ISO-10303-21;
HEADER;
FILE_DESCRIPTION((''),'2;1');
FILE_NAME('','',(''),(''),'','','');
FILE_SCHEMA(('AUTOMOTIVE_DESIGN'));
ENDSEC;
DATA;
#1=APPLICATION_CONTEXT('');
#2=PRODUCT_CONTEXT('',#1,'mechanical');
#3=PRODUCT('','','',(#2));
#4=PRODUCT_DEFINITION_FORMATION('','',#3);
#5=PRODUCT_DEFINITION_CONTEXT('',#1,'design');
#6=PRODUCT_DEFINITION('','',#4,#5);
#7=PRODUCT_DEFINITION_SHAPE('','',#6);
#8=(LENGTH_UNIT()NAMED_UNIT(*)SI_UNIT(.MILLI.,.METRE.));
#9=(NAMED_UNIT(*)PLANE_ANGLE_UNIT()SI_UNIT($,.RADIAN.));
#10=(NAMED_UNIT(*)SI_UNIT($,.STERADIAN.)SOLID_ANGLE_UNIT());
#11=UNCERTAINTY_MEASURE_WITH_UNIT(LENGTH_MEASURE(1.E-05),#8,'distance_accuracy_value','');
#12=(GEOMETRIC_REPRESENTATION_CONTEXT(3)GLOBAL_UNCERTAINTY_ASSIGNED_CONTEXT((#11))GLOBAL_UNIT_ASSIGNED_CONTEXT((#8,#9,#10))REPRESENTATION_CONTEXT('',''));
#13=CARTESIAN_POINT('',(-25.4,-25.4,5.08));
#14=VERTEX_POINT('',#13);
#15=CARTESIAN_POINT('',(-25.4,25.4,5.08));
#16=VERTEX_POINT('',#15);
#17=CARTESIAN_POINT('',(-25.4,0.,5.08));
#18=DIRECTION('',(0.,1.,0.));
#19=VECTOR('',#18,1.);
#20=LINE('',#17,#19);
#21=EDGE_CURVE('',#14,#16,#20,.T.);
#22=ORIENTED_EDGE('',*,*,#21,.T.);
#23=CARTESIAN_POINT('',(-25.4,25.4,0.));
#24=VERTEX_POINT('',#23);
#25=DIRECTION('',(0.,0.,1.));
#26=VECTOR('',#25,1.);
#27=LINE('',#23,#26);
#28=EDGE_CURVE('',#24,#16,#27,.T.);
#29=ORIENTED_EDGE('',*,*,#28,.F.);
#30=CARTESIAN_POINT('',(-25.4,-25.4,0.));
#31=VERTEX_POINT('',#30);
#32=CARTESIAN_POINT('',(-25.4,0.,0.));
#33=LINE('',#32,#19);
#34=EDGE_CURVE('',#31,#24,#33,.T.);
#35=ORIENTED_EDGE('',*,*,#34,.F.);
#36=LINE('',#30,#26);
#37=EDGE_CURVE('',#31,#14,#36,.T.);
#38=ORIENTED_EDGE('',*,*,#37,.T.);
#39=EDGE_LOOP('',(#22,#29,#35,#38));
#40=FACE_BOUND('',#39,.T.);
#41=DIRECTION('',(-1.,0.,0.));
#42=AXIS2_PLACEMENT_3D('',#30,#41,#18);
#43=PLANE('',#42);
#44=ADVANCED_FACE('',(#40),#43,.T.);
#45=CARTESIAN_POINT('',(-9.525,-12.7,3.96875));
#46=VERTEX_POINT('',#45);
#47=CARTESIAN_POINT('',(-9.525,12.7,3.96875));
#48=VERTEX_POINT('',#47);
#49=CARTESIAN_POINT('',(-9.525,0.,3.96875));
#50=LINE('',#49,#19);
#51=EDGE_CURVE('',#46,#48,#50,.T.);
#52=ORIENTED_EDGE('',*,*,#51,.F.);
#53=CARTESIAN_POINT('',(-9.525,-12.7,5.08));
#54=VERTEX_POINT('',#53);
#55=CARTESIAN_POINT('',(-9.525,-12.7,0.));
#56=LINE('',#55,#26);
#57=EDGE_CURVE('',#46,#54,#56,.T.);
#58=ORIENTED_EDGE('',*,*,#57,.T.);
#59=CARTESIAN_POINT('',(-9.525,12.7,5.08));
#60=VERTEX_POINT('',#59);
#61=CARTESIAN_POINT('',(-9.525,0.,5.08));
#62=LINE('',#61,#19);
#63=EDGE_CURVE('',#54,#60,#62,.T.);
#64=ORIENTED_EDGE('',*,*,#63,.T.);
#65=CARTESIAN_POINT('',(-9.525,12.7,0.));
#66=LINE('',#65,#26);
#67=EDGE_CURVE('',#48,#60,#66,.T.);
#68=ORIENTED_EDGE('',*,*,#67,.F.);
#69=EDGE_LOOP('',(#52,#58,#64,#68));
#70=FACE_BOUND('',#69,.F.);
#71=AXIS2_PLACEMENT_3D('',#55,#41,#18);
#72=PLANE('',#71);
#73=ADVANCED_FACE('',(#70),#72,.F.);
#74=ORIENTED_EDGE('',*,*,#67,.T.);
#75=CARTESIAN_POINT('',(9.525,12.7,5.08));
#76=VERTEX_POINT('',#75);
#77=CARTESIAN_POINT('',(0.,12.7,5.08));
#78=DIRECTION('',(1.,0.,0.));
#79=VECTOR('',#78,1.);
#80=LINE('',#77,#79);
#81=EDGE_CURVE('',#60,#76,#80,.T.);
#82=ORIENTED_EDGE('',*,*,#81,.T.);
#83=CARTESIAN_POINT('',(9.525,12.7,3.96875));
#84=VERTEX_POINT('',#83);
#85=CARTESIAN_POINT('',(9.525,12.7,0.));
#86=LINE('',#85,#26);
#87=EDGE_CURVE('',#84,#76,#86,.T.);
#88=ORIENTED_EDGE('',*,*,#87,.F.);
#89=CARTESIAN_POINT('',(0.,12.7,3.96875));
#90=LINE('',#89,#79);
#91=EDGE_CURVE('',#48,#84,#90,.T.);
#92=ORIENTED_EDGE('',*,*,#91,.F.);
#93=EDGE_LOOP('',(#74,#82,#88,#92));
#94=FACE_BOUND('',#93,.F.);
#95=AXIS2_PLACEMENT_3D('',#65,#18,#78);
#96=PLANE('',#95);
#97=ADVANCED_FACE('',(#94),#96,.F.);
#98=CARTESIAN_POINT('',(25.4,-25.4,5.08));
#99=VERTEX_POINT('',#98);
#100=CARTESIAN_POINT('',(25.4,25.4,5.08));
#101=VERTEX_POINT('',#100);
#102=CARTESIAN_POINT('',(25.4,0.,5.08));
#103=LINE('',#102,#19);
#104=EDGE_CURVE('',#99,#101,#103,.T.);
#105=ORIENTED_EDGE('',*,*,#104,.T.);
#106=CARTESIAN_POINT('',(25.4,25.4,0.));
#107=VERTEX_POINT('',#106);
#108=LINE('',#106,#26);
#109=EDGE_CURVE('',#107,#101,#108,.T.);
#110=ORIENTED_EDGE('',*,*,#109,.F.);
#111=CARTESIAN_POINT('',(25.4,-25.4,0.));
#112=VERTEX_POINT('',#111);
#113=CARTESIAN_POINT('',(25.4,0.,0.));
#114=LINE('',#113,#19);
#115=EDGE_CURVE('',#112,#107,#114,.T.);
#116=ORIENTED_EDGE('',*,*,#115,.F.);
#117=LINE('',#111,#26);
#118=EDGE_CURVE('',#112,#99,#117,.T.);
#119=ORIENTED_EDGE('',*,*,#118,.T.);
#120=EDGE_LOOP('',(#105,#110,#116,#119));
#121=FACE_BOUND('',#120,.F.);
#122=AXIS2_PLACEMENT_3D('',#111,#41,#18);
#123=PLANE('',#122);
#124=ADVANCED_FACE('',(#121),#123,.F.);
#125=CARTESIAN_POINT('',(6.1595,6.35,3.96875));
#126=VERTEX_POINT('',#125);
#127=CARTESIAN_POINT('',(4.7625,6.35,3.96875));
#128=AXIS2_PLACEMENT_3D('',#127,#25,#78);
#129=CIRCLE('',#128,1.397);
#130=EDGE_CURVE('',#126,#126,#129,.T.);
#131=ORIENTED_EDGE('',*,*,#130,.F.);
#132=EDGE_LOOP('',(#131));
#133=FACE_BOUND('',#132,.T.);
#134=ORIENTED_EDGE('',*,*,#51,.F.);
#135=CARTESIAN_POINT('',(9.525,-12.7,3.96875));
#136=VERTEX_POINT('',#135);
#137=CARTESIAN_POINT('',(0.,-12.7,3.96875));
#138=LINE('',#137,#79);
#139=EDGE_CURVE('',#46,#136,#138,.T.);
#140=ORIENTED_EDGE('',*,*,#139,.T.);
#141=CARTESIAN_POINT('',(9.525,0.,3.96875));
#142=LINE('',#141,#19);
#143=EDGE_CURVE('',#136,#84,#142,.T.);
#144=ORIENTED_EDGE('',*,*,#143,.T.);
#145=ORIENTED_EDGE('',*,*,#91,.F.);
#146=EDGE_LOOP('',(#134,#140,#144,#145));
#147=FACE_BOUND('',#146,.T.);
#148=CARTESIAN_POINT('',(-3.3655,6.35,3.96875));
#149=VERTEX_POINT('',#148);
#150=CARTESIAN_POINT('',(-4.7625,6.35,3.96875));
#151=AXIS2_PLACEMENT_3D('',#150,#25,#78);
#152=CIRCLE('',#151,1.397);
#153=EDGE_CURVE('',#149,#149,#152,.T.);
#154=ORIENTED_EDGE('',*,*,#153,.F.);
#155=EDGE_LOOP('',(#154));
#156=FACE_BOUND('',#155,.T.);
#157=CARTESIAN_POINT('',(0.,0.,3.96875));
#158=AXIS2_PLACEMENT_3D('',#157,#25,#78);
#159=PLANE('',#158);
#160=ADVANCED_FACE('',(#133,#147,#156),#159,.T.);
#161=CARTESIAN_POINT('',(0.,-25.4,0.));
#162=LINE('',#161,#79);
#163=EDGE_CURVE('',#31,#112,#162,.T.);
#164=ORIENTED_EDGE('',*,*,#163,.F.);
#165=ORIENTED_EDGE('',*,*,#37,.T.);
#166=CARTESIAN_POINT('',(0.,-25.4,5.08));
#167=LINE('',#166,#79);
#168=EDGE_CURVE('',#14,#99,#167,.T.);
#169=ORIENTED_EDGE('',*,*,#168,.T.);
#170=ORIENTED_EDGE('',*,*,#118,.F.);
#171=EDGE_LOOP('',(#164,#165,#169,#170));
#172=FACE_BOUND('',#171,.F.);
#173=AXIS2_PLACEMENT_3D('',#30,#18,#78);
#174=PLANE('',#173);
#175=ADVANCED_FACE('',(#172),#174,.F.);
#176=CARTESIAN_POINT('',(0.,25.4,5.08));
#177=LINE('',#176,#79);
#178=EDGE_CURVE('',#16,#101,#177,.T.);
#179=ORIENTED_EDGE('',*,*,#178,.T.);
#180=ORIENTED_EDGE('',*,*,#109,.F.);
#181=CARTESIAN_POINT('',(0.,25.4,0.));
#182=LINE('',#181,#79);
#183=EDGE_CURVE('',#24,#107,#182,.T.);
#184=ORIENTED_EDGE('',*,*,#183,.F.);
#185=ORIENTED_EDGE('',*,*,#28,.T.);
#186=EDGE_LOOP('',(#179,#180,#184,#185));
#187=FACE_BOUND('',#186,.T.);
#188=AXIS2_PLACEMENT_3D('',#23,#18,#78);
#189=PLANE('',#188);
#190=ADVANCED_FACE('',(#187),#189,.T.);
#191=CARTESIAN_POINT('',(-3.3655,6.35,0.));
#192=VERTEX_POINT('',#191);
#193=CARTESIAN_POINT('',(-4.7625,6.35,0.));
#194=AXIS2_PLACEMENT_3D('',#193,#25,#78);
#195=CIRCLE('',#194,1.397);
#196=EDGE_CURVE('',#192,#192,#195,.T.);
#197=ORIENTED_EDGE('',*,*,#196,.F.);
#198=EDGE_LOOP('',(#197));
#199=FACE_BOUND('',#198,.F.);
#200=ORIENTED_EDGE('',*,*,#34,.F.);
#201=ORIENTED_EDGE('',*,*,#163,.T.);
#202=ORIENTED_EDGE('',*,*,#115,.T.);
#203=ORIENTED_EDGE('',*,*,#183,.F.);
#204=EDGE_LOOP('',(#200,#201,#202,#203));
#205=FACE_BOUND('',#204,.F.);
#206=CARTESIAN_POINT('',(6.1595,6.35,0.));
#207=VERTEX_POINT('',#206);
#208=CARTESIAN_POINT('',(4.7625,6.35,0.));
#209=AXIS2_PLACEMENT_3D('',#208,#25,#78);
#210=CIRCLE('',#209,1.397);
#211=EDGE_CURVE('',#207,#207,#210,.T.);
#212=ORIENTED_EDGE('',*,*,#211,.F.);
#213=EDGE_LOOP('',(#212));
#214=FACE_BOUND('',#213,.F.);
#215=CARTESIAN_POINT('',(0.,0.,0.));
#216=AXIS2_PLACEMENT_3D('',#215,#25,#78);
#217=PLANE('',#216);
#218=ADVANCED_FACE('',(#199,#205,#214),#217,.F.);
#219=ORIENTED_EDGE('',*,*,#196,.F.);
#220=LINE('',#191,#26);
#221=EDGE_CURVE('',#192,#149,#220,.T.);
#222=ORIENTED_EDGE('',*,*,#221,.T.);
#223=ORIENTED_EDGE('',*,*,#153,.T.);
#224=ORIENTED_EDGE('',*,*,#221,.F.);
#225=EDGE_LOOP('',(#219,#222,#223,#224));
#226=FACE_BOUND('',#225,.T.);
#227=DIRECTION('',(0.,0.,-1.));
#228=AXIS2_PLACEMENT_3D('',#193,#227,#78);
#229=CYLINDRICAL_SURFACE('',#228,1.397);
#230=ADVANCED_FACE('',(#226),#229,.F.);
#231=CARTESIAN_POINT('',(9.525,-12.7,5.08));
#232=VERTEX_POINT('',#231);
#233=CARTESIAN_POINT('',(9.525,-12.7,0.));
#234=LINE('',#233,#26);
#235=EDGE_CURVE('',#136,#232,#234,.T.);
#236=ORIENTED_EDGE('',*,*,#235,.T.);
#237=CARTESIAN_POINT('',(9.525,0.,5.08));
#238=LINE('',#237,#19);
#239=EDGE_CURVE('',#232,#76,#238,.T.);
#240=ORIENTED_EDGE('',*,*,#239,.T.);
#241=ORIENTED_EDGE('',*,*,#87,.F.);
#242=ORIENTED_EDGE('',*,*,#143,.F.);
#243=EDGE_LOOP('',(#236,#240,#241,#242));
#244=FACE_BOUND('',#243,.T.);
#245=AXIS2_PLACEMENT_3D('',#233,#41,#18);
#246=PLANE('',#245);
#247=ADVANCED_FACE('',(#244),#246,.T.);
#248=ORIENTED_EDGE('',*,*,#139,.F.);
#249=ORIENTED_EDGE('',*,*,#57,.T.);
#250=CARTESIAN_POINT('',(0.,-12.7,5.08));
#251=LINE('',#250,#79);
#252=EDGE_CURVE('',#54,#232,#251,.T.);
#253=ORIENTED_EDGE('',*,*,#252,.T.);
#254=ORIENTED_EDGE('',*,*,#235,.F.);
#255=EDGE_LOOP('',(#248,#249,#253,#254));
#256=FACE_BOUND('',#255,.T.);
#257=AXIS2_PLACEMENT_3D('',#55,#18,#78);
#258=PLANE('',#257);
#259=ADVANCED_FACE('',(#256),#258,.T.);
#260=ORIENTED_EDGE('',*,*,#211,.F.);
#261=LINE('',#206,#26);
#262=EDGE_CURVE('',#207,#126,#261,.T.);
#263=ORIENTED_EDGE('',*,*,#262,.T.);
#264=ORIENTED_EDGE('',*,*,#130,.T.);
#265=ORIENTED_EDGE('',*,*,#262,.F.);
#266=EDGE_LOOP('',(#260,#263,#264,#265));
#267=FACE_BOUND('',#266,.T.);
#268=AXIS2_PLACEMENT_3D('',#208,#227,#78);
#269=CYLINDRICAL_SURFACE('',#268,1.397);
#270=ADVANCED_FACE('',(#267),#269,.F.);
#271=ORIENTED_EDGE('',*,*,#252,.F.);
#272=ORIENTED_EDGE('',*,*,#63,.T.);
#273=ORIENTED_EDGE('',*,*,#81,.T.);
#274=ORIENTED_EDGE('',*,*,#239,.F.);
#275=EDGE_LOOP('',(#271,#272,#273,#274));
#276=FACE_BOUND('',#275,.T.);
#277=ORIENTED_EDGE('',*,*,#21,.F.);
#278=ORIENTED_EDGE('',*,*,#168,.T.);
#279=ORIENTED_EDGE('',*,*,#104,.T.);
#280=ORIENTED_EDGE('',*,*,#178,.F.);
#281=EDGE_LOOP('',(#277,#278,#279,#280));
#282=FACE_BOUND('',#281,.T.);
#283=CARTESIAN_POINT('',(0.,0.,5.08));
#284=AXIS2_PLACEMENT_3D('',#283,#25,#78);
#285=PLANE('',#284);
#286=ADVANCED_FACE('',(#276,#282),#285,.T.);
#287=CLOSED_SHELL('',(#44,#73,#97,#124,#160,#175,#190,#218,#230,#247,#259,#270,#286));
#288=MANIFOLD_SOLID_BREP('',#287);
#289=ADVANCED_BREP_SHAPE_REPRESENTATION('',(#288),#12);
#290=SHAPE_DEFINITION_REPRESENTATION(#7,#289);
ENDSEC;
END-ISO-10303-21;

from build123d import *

# Parameters (mm, degrees)
F0_W     = 50.8
F0_H     = 50.8
F0_W_2   = 19.05
F0_H_2   = 25.4
F1_DEPTH = 5.08
F0_W_3   = 4.4
F0_H_3   = 7.4
F0_R     = 1.397
F2_DEPTH = 3.96875


with BuildPart() as f1:
    # F0 (on Top) → F1 (new body)
    with BuildSketch(Plane.XY):
        Rectangle(F0_W, F0_H)
        Rectangle(F0_W_2, F0_H_2, mode=Mode.SUBTRACT)
    extrude(amount=F1_DEPTH)

    # F0 (on Top) → F2 (join)
    with BuildSketch(Plane.XY):
        Rectangle(F0_W_2, F0_H_2)
        Rectangle(F0_W_3, F0_H_3, mode=Mode.SUBTRACT)
        with Locations((-4.7625, 6.35)):
            Circle(F0_R, mode=Mode.SUBTRACT)
        with Locations((4.7625, 6.35)):
            Circle(F0_R, mode=Mode.SUBTRACT)
        Rectangle(F0_W_3, F0_H_3)
    extrude(amount=F2_DEPTH)


solid = f1.part
